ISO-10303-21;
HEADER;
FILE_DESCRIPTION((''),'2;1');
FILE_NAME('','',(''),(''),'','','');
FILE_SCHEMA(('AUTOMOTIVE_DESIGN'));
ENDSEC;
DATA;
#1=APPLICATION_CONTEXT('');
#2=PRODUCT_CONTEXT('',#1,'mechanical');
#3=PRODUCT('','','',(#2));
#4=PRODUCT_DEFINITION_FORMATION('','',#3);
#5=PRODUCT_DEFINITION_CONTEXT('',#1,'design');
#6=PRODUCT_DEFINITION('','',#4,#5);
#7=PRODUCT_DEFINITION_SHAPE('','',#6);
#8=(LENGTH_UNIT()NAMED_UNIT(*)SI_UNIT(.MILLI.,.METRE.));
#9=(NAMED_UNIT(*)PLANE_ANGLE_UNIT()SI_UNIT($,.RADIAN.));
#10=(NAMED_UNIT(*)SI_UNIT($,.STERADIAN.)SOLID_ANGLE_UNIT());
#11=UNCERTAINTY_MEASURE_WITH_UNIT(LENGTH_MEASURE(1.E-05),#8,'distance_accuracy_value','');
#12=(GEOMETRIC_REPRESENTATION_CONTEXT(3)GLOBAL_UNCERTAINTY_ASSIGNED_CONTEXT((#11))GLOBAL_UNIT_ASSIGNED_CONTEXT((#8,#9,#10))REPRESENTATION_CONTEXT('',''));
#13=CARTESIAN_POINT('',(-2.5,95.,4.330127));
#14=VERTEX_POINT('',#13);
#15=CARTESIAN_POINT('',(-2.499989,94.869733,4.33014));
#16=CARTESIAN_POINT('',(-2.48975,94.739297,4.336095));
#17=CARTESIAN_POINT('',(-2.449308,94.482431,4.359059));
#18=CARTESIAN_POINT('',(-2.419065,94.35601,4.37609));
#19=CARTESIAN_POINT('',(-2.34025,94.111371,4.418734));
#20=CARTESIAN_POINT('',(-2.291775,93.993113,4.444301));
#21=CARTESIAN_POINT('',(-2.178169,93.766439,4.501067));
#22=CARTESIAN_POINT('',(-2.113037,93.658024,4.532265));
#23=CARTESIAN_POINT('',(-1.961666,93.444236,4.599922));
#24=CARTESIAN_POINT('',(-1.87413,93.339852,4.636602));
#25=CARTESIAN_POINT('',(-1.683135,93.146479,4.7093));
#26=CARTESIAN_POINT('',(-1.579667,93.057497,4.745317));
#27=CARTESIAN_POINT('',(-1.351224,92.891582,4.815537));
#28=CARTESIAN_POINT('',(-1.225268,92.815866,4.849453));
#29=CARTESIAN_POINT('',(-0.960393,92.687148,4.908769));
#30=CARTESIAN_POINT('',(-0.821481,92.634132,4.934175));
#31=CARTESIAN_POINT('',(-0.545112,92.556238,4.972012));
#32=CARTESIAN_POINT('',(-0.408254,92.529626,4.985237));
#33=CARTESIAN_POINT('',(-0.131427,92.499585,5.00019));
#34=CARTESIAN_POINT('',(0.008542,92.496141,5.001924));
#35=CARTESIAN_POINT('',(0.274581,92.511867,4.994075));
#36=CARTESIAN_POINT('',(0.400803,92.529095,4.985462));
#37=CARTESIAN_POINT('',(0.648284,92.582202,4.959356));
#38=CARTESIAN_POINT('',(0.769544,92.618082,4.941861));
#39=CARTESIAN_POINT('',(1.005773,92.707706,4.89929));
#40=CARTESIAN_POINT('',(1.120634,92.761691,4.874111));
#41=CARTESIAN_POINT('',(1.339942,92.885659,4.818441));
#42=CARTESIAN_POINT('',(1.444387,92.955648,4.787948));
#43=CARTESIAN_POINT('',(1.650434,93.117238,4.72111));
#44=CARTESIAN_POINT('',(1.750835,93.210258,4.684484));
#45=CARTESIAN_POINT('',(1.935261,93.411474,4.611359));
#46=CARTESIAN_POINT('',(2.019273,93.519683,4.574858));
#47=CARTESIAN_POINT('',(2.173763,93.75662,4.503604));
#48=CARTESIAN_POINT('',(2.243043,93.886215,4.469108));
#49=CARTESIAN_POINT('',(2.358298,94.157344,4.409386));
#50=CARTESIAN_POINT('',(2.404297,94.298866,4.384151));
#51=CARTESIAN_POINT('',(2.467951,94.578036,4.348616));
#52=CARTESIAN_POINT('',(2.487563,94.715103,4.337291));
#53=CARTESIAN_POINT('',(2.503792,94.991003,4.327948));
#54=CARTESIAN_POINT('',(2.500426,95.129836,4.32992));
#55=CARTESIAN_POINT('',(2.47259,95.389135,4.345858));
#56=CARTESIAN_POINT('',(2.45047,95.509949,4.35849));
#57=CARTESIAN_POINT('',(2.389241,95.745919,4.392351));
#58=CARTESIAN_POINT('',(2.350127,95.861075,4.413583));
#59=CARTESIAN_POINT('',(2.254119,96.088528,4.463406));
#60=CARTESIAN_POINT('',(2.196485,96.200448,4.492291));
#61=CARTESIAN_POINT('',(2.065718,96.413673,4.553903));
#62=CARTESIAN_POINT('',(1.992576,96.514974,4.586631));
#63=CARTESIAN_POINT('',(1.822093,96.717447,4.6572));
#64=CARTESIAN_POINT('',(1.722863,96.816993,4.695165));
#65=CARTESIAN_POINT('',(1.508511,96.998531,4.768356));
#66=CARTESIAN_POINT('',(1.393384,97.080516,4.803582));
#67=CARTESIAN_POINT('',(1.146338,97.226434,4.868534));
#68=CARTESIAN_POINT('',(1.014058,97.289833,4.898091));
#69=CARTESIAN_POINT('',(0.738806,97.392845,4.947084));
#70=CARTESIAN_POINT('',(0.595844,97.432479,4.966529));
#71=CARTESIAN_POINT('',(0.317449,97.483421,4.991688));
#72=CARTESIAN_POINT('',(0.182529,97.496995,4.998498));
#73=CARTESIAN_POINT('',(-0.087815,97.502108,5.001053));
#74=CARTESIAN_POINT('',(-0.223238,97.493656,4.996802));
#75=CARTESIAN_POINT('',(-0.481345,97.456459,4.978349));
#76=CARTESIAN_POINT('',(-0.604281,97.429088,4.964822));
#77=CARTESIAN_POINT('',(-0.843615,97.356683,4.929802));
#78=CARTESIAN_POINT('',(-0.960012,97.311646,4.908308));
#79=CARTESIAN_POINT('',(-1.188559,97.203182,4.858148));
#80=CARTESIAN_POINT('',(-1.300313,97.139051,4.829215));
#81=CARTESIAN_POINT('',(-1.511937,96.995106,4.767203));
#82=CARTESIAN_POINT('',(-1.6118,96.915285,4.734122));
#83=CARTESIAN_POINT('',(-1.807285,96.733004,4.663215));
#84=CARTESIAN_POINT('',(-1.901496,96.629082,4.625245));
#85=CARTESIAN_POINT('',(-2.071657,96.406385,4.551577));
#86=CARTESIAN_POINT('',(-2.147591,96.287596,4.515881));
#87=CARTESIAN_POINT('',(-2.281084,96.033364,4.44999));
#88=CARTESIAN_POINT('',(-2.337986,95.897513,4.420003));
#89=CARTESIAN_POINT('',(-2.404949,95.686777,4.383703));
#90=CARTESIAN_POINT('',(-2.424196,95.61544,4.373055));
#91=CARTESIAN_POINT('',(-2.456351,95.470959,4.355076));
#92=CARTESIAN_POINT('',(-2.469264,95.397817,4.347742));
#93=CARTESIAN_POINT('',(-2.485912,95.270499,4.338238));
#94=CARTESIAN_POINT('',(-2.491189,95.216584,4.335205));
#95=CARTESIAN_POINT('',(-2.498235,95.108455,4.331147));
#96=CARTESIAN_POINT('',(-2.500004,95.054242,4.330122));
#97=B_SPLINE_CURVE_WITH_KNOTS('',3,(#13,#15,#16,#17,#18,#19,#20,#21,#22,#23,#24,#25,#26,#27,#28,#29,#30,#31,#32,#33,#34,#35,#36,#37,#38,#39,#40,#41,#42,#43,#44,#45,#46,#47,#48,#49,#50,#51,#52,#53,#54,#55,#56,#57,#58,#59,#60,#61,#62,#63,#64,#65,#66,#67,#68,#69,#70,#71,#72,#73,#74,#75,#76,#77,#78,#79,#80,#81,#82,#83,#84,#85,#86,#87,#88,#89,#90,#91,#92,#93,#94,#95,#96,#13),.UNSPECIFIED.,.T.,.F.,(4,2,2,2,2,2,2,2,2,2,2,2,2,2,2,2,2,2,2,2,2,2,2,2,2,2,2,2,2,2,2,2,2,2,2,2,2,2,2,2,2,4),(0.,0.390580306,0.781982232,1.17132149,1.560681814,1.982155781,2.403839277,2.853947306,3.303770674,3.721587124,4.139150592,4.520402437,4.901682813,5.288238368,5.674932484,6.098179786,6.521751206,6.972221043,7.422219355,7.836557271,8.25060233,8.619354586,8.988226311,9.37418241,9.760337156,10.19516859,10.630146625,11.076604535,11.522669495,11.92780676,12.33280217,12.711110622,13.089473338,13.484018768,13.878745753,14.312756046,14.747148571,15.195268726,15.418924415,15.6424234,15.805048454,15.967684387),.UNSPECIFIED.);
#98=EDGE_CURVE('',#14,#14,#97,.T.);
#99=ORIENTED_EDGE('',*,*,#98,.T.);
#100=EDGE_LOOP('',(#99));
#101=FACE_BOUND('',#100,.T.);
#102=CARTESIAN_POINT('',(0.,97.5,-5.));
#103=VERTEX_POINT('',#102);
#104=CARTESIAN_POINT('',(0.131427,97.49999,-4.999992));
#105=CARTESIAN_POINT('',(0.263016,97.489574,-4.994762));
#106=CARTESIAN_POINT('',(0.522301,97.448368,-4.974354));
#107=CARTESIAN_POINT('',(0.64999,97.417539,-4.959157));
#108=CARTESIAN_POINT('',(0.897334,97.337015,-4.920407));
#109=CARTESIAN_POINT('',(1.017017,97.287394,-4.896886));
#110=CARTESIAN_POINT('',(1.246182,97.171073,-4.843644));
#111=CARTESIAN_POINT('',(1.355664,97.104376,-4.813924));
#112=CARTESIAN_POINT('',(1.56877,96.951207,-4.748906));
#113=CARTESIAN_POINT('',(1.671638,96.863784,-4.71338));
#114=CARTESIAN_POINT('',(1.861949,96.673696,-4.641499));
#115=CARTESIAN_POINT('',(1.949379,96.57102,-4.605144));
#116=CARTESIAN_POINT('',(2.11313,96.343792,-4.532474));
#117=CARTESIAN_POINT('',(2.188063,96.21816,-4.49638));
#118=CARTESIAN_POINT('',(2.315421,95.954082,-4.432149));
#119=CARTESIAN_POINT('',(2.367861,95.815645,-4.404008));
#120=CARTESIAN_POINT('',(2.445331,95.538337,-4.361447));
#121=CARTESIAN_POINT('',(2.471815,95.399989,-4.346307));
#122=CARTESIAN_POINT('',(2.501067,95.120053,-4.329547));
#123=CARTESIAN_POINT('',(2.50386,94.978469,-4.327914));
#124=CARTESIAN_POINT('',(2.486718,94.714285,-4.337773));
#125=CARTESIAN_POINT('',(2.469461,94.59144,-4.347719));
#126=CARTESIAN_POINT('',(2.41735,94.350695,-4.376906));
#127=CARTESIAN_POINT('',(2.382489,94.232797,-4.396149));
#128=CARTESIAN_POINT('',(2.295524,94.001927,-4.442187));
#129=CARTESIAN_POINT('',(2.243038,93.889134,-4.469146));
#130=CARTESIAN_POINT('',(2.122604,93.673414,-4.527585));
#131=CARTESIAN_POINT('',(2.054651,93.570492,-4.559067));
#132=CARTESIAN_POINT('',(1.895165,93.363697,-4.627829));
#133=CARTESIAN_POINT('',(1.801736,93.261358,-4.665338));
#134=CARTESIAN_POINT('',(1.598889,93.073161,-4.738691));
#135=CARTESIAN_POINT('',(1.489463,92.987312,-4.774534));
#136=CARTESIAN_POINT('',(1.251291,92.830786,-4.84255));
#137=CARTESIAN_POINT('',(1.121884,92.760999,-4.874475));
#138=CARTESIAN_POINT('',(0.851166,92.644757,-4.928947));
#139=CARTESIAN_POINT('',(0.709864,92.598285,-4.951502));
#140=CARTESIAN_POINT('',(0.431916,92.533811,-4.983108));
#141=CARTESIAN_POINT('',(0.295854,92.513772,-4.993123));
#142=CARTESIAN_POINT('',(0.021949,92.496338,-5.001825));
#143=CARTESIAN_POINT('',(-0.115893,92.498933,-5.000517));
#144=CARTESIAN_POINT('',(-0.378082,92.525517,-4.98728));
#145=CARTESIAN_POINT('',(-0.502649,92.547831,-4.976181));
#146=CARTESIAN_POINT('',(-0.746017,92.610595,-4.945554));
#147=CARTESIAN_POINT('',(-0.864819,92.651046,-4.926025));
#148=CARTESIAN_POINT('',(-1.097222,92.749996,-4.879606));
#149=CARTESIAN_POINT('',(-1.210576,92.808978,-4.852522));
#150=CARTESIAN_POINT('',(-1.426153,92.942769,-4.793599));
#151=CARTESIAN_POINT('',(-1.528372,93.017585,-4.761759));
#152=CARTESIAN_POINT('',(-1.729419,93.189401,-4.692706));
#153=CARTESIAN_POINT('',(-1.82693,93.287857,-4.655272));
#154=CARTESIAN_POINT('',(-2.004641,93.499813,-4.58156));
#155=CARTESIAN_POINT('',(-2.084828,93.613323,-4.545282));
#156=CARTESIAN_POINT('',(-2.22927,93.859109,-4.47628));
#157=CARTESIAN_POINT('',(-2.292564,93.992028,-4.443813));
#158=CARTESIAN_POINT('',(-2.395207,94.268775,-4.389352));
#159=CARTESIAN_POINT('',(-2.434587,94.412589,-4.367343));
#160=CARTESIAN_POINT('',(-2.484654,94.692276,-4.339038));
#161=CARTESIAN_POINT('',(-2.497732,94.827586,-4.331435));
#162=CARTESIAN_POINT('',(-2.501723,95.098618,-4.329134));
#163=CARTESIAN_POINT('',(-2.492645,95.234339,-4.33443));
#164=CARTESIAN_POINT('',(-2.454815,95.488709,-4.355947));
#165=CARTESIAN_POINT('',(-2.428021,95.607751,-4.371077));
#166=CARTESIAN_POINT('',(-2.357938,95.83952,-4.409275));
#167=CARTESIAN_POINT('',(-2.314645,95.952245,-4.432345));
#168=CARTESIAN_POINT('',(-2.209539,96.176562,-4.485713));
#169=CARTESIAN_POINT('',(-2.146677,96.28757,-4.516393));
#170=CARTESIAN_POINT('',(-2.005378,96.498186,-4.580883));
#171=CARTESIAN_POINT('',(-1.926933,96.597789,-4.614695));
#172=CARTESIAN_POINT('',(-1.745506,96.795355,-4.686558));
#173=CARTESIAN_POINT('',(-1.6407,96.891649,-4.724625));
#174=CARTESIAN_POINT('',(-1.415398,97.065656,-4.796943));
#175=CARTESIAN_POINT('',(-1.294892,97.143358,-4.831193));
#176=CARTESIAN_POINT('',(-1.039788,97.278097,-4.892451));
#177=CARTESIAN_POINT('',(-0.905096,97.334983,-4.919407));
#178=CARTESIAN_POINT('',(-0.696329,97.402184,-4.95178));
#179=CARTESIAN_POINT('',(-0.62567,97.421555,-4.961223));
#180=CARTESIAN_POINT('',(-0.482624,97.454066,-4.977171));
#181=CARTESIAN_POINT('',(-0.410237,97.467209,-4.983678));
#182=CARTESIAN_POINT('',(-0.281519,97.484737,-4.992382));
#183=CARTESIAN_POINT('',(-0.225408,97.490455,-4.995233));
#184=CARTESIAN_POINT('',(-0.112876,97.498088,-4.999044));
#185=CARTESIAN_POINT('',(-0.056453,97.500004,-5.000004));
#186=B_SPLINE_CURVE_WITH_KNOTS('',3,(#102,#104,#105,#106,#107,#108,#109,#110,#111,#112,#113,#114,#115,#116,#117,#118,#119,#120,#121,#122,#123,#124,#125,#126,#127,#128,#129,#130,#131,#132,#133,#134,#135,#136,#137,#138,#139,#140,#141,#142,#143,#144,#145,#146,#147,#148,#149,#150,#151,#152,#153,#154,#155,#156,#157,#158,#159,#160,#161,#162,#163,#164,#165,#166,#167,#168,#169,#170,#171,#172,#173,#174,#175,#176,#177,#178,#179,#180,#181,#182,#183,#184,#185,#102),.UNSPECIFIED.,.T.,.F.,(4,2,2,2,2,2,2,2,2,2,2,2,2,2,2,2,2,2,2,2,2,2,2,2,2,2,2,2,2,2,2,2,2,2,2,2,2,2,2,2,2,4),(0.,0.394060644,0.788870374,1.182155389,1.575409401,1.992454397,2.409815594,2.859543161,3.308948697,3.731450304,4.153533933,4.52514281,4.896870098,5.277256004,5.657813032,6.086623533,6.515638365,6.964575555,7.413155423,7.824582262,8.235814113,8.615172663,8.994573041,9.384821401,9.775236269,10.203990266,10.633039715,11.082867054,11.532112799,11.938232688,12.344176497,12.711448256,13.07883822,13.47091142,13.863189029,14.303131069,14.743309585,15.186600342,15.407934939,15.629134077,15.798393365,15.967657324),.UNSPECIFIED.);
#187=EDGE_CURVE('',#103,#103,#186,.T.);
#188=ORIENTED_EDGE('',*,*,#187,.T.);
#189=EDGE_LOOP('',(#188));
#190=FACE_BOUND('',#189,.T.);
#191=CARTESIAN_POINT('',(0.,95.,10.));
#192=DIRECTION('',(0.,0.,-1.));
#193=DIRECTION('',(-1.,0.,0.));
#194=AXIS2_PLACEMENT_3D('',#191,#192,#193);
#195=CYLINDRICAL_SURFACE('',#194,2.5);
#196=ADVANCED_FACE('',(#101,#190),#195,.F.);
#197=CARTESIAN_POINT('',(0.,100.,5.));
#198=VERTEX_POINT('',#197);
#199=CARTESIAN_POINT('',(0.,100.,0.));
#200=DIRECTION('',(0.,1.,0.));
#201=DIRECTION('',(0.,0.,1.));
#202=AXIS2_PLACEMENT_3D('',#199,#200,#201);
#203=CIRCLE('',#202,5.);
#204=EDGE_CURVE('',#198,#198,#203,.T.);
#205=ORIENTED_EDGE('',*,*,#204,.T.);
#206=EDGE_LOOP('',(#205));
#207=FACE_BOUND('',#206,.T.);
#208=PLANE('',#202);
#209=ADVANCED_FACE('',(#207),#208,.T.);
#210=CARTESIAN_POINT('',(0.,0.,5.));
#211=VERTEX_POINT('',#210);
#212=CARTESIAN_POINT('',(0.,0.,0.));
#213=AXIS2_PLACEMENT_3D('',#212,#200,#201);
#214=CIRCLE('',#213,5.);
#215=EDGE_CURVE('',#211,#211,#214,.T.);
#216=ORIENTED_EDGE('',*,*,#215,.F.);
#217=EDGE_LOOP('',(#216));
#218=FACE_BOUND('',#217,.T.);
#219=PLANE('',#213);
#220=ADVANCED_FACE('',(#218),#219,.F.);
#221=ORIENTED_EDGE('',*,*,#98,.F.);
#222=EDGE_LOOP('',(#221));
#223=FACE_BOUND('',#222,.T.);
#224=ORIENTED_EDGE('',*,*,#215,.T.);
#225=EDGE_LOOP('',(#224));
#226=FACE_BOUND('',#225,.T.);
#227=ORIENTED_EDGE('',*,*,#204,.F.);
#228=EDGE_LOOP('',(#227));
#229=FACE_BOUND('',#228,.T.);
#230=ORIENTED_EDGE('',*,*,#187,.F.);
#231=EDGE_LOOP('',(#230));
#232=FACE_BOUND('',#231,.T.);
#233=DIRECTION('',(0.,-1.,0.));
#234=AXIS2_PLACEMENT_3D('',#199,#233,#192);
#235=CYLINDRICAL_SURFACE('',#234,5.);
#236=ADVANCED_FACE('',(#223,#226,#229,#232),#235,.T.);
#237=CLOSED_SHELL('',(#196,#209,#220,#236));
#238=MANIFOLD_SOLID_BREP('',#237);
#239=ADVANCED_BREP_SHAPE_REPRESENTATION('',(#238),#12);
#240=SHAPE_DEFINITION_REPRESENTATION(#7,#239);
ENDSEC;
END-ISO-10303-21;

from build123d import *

# Parameters (mm, degrees)
SKETCH_1_R               = 5
EXTRUDE_1_DEPTH          = 100
SKETCH_2_R               = 2.5
CUT_EXTRUDE_1_DEPTH      = 10
CUT_EXTRUDE_1_DEPTH_BACK = 8


with BuildPart() as part:
    # Эскиз1 → Бобышка-Вытянуть1 (new body)
    with BuildSketch(Plane(origin=(0, 0, 0), x_dir=(1, 0, 0), z_dir=(0, 1, 0))):
        Circle(SKETCH_1_R)
    extrude(amount=EXTRUDE_1_DEPTH)

    # Эскиз2 → Вырез-Вытянуть1 (cut, two sides)
    with BuildSketch(Plane.XY) as cut_extrude_1_sk:
        with Locations((0, 95)):
            Circle(SKETCH_2_R)
    extrude(amount=CUT_EXTRUDE_1_DEPTH, mode=Mode.SUBTRACT)
    extrude(cut_extrude_1_sk.sketch, amount=-CUT_EXTRUDE_1_DEPTH_BACK, mode=Mode.SUBTRACT)


solid = part.part
